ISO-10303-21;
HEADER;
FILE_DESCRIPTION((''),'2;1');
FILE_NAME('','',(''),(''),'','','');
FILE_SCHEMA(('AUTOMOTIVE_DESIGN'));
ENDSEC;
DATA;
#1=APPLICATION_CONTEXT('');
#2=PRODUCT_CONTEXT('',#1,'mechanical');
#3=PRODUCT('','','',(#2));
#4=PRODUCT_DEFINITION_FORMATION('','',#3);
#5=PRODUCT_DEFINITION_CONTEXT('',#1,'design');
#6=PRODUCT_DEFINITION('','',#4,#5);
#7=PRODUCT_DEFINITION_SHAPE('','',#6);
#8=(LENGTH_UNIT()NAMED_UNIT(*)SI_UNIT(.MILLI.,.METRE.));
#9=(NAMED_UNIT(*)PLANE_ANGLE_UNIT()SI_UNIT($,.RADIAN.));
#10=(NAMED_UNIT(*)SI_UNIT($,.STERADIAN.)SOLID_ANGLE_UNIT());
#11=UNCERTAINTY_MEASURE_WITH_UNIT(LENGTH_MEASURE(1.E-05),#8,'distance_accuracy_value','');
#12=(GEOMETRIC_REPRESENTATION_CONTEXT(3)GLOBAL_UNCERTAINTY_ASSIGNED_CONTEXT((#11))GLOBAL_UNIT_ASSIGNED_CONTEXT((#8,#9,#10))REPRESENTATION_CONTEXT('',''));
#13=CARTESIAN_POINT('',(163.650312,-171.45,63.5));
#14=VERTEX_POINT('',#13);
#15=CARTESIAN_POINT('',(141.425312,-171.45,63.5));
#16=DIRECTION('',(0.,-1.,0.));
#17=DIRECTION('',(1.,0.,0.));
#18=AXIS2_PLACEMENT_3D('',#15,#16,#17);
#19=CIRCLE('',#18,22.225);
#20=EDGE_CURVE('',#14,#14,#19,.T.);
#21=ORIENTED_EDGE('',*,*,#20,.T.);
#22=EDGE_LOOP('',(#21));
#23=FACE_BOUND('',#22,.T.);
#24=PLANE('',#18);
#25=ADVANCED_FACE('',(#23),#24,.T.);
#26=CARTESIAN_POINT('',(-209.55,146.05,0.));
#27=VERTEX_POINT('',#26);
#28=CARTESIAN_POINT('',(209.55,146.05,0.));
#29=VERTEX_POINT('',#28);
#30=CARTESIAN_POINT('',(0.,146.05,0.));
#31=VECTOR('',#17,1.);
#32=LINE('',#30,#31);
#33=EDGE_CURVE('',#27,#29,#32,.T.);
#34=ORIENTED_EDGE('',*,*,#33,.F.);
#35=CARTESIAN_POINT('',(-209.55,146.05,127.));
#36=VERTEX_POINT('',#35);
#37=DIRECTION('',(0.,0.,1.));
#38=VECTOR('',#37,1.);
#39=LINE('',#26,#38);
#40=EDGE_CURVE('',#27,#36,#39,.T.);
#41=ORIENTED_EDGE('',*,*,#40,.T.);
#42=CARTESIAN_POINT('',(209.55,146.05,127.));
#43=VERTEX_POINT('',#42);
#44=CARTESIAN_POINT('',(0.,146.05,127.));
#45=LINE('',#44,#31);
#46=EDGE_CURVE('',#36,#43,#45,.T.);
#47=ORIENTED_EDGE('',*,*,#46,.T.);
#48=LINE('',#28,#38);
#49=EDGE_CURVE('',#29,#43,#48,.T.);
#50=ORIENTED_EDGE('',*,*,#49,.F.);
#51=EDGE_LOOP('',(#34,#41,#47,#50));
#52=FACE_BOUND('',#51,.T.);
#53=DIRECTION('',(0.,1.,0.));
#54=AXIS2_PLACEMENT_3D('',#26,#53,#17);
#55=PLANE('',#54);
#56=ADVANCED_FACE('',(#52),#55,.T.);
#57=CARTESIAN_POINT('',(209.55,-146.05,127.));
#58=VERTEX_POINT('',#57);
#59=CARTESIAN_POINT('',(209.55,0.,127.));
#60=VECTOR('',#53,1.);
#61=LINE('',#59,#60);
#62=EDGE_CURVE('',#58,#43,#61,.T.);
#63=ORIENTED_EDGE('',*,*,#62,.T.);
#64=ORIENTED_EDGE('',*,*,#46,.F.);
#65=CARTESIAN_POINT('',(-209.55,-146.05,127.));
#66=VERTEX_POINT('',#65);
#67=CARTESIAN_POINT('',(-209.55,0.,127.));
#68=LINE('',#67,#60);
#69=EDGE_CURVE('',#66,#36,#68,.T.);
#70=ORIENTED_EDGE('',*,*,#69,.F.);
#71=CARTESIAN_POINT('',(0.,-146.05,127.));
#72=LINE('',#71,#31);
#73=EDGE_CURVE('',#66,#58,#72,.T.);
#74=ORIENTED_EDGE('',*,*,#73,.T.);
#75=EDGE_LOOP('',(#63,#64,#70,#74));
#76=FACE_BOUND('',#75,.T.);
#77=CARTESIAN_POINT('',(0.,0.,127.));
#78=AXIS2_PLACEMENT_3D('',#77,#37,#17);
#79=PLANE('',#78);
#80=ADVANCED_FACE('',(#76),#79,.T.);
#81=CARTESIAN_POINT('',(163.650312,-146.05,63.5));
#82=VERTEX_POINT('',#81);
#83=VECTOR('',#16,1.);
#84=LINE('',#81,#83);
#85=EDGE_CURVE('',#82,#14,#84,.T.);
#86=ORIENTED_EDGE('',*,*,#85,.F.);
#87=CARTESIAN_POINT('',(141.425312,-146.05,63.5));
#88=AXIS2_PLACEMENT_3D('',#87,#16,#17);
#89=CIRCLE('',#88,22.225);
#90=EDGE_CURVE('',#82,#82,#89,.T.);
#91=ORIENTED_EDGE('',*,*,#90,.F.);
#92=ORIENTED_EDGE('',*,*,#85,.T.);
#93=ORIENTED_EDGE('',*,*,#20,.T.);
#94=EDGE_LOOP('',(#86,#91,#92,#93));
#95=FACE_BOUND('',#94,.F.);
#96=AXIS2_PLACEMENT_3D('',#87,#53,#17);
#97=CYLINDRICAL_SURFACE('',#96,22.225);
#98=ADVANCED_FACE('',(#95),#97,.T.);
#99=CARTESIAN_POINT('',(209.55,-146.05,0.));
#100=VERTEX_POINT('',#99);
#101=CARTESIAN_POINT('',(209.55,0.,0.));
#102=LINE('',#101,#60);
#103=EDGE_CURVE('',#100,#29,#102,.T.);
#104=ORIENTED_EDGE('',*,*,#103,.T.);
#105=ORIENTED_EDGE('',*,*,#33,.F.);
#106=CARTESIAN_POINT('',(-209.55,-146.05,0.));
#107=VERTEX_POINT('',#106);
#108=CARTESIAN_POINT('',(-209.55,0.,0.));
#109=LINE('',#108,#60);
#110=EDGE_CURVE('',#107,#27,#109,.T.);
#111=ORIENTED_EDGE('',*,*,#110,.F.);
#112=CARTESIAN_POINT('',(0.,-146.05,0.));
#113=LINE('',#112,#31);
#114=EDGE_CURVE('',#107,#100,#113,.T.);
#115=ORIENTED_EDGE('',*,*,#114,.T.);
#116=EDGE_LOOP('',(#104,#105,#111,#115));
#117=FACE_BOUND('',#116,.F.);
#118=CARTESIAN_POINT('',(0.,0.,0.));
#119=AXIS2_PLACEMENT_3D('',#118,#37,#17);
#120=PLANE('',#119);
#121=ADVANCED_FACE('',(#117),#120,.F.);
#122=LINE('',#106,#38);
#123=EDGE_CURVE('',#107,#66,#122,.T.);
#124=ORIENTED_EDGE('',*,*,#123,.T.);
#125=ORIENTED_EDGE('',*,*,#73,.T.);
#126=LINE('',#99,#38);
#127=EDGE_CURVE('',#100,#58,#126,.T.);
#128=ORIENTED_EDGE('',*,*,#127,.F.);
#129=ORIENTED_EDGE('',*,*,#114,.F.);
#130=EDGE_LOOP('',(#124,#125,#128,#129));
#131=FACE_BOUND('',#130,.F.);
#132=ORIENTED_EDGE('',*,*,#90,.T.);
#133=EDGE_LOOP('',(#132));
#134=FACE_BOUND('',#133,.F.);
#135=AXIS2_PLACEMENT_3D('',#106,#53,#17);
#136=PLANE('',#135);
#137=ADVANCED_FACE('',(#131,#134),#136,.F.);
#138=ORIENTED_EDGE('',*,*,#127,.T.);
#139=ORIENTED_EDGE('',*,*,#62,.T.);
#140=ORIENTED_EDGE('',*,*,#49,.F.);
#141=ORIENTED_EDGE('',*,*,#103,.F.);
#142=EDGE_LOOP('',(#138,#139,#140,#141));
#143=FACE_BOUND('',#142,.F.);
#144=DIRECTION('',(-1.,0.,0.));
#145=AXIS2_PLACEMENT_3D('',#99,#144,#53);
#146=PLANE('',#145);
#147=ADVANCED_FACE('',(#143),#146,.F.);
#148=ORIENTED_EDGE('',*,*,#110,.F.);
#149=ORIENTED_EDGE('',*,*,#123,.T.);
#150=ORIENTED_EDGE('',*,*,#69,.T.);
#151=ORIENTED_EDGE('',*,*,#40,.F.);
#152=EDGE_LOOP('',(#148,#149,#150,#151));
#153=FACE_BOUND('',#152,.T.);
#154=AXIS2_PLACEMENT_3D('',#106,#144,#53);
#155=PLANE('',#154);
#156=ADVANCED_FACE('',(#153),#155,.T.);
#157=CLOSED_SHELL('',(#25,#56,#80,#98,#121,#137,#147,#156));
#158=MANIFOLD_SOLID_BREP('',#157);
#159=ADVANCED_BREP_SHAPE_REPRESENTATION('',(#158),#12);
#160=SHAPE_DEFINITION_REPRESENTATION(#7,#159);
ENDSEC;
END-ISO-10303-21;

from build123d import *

# Parameters (mm, degrees)
F0_W     = 419.1
F0_H     = 292.1
F1_DEPTH = 127
F2_R     = 22.225
F3_DEPTH = 25.4


with BuildPart() as f1:
    # F0 (on Top) → F1 (new body)
    with BuildSketch(Plane.XY):
        Rectangle(F0_W, F0_H)
    extrude(amount=F1_DEPTH)

    # F2 (on face) → F3 (join)
    with BuildSketch(Plane.XZ.offset(146.05)):
        with Locations((141.425312, 63.5)):
            Circle(F2_R)
    extrude(amount=F3_DEPTH)


solid = f1.part
